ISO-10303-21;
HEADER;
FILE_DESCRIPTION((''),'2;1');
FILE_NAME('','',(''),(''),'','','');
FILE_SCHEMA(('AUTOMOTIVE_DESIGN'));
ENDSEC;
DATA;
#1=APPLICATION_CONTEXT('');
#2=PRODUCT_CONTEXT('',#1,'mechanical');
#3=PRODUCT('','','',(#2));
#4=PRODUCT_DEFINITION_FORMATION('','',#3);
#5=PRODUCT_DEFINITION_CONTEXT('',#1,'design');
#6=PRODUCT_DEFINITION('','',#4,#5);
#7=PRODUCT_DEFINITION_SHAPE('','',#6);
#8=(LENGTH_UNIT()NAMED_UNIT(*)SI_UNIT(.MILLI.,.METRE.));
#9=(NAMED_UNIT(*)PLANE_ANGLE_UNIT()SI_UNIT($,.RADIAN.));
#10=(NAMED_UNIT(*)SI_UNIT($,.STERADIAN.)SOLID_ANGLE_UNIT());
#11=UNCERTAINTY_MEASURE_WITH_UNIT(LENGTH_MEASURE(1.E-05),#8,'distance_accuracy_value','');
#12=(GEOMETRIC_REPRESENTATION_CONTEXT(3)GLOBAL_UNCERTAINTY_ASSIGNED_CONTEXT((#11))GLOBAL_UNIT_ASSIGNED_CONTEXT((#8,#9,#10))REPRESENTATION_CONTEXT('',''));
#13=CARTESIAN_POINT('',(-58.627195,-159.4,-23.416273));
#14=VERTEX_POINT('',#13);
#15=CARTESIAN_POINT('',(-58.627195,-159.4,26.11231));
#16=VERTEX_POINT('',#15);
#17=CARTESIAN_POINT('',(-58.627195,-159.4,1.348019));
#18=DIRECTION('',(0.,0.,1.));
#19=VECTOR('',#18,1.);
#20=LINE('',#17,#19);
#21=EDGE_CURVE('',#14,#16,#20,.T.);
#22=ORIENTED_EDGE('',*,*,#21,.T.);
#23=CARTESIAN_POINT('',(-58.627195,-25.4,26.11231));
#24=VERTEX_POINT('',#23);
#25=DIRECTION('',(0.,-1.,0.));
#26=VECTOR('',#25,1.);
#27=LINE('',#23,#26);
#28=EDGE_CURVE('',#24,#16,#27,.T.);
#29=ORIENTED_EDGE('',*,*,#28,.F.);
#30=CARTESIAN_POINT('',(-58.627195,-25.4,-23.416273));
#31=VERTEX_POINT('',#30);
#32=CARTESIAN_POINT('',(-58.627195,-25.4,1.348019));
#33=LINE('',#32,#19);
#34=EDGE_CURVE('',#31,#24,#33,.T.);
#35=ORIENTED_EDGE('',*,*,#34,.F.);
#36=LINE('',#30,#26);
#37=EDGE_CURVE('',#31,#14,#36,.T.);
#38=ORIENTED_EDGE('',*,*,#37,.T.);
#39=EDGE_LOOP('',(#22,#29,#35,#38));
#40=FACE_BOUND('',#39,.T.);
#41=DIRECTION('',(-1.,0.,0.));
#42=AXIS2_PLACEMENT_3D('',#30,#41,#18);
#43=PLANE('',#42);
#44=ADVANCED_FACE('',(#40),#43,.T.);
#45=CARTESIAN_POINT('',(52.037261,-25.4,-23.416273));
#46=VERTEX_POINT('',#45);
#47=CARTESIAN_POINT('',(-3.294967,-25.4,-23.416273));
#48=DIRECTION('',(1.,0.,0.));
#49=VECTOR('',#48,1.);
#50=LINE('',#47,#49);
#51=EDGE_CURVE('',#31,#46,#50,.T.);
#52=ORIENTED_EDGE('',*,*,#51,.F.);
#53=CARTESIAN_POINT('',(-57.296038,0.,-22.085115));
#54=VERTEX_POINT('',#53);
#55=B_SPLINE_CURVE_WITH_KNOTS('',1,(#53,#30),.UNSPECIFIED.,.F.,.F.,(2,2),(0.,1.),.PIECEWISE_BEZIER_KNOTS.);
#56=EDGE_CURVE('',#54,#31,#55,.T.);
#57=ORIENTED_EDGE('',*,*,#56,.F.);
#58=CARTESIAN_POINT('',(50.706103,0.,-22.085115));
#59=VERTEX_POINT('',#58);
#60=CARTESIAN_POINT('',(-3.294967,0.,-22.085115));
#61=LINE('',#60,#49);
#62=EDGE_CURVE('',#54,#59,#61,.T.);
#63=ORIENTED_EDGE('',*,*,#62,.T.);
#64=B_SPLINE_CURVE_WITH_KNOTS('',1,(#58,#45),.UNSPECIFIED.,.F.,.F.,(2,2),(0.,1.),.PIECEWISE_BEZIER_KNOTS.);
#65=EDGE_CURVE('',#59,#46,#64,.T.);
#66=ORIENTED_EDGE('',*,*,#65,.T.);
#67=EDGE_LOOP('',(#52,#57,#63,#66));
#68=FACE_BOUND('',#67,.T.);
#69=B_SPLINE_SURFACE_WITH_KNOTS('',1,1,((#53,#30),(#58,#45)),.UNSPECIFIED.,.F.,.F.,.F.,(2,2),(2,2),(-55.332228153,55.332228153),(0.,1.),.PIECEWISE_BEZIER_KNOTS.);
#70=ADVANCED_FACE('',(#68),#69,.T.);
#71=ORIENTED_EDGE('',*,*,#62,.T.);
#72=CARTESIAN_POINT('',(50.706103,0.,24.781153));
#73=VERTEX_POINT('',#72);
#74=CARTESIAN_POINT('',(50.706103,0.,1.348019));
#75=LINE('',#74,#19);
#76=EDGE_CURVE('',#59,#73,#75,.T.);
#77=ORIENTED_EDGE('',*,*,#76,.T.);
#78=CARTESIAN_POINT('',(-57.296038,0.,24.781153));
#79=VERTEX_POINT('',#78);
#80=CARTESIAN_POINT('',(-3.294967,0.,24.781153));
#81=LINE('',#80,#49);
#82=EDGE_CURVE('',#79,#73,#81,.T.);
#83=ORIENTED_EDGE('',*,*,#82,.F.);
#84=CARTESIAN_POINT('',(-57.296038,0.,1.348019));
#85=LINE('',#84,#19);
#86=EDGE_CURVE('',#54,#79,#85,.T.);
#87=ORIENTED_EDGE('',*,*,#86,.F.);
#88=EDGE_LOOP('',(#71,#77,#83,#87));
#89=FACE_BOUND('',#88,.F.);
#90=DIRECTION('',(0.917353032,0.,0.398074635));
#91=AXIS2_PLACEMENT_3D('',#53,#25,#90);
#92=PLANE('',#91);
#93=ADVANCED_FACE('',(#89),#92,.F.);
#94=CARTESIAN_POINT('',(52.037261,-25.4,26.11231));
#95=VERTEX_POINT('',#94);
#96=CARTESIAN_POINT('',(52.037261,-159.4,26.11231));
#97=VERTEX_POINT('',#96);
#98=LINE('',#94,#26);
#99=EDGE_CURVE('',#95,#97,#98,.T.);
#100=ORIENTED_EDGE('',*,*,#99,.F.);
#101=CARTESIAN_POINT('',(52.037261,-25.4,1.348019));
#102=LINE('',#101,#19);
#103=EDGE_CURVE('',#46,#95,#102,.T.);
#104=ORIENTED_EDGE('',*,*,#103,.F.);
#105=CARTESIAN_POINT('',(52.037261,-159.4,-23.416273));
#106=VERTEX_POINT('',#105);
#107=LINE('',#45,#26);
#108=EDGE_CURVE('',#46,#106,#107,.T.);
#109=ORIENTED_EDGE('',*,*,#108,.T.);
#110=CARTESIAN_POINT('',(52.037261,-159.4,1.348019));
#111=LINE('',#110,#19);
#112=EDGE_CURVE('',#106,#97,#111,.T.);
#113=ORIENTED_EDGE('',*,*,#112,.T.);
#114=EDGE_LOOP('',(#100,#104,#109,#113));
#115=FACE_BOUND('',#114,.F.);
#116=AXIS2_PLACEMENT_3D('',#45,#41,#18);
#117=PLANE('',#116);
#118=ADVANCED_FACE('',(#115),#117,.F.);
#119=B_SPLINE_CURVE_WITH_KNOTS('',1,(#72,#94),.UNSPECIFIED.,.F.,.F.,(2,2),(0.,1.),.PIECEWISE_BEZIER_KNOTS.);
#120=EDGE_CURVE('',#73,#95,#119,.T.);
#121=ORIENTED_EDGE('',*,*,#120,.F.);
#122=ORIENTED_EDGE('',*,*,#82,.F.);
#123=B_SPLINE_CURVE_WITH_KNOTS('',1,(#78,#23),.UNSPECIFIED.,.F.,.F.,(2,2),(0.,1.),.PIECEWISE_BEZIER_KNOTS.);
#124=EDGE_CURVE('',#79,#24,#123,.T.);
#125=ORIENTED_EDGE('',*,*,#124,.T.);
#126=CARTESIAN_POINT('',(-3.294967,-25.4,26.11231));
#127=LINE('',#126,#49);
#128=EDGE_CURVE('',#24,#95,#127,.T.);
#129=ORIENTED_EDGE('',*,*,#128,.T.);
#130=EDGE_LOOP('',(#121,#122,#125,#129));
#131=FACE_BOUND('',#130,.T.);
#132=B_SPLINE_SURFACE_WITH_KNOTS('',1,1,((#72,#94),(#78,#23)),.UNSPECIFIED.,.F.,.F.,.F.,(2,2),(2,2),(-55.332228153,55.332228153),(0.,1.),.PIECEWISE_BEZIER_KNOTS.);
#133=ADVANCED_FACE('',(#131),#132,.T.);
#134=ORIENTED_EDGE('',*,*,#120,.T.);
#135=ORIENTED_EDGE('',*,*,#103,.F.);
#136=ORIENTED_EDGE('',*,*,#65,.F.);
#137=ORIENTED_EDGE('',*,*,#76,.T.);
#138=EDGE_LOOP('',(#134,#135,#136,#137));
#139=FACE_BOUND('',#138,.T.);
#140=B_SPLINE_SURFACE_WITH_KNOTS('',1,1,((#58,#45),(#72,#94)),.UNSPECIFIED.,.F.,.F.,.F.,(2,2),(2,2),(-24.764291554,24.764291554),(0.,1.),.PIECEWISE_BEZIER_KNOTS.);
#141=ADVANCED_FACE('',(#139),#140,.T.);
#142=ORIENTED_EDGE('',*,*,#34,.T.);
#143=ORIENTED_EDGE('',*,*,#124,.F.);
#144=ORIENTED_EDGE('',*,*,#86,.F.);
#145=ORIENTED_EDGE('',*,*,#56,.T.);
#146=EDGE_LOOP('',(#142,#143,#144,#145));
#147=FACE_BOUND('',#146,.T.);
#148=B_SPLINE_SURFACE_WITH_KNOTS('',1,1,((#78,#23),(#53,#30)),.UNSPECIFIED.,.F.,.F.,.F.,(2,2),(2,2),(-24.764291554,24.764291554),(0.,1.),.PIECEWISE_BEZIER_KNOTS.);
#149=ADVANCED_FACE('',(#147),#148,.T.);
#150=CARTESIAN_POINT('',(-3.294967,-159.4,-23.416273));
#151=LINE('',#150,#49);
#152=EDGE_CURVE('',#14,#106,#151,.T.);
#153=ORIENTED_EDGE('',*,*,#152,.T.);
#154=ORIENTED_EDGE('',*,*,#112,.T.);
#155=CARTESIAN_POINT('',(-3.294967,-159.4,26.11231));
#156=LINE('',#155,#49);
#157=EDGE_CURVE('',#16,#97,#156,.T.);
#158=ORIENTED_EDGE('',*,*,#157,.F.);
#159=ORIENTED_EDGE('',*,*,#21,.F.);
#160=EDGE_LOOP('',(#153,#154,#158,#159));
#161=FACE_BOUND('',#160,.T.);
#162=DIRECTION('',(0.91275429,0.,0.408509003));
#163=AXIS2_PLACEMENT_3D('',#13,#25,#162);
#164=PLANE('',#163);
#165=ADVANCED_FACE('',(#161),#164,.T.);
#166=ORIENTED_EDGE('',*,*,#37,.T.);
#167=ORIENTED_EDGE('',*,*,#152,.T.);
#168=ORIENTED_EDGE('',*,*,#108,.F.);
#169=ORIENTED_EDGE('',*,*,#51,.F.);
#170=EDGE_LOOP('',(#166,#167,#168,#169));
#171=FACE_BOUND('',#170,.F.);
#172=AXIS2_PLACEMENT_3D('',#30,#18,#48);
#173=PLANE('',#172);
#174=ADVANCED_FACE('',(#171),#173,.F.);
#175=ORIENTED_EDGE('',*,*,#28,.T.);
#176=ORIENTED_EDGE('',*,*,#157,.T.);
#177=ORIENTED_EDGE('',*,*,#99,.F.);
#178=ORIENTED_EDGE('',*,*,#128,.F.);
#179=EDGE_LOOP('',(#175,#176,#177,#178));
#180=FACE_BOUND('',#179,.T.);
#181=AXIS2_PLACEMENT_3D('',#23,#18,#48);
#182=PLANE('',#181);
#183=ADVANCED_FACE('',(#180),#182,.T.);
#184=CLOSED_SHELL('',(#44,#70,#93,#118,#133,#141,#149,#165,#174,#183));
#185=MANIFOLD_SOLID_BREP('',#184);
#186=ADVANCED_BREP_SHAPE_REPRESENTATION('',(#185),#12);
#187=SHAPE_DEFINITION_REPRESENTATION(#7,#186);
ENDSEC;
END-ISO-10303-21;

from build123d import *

# Parameters (mm, degrees)
F1_W     = 108.002141118
F1_H     = 46.8662679195
F2_DEPTH = 25.4
F2_TAPER = -3
F3_DEPTH = 134


with BuildPart() as f2:
    # F1 (on face) → F2 (new body)
    with BuildSketch(Plane.XZ):
        with Locations((-3.2949671149, 1.3480186462)):
            Rectangle(F1_W, F1_H)
    extrude(amount=F2_DEPTH, taper=F2_TAPER)

    # F3 (add): a face of the model
    f3_faces = [f2.faces().sort_by_distance(p)[0] for p in [
        (-3.2949671149, -25.4, 1.3480186462),
    ]]
    extrude(f3_faces, amount=F3_DEPTH)


solid = f2.part
